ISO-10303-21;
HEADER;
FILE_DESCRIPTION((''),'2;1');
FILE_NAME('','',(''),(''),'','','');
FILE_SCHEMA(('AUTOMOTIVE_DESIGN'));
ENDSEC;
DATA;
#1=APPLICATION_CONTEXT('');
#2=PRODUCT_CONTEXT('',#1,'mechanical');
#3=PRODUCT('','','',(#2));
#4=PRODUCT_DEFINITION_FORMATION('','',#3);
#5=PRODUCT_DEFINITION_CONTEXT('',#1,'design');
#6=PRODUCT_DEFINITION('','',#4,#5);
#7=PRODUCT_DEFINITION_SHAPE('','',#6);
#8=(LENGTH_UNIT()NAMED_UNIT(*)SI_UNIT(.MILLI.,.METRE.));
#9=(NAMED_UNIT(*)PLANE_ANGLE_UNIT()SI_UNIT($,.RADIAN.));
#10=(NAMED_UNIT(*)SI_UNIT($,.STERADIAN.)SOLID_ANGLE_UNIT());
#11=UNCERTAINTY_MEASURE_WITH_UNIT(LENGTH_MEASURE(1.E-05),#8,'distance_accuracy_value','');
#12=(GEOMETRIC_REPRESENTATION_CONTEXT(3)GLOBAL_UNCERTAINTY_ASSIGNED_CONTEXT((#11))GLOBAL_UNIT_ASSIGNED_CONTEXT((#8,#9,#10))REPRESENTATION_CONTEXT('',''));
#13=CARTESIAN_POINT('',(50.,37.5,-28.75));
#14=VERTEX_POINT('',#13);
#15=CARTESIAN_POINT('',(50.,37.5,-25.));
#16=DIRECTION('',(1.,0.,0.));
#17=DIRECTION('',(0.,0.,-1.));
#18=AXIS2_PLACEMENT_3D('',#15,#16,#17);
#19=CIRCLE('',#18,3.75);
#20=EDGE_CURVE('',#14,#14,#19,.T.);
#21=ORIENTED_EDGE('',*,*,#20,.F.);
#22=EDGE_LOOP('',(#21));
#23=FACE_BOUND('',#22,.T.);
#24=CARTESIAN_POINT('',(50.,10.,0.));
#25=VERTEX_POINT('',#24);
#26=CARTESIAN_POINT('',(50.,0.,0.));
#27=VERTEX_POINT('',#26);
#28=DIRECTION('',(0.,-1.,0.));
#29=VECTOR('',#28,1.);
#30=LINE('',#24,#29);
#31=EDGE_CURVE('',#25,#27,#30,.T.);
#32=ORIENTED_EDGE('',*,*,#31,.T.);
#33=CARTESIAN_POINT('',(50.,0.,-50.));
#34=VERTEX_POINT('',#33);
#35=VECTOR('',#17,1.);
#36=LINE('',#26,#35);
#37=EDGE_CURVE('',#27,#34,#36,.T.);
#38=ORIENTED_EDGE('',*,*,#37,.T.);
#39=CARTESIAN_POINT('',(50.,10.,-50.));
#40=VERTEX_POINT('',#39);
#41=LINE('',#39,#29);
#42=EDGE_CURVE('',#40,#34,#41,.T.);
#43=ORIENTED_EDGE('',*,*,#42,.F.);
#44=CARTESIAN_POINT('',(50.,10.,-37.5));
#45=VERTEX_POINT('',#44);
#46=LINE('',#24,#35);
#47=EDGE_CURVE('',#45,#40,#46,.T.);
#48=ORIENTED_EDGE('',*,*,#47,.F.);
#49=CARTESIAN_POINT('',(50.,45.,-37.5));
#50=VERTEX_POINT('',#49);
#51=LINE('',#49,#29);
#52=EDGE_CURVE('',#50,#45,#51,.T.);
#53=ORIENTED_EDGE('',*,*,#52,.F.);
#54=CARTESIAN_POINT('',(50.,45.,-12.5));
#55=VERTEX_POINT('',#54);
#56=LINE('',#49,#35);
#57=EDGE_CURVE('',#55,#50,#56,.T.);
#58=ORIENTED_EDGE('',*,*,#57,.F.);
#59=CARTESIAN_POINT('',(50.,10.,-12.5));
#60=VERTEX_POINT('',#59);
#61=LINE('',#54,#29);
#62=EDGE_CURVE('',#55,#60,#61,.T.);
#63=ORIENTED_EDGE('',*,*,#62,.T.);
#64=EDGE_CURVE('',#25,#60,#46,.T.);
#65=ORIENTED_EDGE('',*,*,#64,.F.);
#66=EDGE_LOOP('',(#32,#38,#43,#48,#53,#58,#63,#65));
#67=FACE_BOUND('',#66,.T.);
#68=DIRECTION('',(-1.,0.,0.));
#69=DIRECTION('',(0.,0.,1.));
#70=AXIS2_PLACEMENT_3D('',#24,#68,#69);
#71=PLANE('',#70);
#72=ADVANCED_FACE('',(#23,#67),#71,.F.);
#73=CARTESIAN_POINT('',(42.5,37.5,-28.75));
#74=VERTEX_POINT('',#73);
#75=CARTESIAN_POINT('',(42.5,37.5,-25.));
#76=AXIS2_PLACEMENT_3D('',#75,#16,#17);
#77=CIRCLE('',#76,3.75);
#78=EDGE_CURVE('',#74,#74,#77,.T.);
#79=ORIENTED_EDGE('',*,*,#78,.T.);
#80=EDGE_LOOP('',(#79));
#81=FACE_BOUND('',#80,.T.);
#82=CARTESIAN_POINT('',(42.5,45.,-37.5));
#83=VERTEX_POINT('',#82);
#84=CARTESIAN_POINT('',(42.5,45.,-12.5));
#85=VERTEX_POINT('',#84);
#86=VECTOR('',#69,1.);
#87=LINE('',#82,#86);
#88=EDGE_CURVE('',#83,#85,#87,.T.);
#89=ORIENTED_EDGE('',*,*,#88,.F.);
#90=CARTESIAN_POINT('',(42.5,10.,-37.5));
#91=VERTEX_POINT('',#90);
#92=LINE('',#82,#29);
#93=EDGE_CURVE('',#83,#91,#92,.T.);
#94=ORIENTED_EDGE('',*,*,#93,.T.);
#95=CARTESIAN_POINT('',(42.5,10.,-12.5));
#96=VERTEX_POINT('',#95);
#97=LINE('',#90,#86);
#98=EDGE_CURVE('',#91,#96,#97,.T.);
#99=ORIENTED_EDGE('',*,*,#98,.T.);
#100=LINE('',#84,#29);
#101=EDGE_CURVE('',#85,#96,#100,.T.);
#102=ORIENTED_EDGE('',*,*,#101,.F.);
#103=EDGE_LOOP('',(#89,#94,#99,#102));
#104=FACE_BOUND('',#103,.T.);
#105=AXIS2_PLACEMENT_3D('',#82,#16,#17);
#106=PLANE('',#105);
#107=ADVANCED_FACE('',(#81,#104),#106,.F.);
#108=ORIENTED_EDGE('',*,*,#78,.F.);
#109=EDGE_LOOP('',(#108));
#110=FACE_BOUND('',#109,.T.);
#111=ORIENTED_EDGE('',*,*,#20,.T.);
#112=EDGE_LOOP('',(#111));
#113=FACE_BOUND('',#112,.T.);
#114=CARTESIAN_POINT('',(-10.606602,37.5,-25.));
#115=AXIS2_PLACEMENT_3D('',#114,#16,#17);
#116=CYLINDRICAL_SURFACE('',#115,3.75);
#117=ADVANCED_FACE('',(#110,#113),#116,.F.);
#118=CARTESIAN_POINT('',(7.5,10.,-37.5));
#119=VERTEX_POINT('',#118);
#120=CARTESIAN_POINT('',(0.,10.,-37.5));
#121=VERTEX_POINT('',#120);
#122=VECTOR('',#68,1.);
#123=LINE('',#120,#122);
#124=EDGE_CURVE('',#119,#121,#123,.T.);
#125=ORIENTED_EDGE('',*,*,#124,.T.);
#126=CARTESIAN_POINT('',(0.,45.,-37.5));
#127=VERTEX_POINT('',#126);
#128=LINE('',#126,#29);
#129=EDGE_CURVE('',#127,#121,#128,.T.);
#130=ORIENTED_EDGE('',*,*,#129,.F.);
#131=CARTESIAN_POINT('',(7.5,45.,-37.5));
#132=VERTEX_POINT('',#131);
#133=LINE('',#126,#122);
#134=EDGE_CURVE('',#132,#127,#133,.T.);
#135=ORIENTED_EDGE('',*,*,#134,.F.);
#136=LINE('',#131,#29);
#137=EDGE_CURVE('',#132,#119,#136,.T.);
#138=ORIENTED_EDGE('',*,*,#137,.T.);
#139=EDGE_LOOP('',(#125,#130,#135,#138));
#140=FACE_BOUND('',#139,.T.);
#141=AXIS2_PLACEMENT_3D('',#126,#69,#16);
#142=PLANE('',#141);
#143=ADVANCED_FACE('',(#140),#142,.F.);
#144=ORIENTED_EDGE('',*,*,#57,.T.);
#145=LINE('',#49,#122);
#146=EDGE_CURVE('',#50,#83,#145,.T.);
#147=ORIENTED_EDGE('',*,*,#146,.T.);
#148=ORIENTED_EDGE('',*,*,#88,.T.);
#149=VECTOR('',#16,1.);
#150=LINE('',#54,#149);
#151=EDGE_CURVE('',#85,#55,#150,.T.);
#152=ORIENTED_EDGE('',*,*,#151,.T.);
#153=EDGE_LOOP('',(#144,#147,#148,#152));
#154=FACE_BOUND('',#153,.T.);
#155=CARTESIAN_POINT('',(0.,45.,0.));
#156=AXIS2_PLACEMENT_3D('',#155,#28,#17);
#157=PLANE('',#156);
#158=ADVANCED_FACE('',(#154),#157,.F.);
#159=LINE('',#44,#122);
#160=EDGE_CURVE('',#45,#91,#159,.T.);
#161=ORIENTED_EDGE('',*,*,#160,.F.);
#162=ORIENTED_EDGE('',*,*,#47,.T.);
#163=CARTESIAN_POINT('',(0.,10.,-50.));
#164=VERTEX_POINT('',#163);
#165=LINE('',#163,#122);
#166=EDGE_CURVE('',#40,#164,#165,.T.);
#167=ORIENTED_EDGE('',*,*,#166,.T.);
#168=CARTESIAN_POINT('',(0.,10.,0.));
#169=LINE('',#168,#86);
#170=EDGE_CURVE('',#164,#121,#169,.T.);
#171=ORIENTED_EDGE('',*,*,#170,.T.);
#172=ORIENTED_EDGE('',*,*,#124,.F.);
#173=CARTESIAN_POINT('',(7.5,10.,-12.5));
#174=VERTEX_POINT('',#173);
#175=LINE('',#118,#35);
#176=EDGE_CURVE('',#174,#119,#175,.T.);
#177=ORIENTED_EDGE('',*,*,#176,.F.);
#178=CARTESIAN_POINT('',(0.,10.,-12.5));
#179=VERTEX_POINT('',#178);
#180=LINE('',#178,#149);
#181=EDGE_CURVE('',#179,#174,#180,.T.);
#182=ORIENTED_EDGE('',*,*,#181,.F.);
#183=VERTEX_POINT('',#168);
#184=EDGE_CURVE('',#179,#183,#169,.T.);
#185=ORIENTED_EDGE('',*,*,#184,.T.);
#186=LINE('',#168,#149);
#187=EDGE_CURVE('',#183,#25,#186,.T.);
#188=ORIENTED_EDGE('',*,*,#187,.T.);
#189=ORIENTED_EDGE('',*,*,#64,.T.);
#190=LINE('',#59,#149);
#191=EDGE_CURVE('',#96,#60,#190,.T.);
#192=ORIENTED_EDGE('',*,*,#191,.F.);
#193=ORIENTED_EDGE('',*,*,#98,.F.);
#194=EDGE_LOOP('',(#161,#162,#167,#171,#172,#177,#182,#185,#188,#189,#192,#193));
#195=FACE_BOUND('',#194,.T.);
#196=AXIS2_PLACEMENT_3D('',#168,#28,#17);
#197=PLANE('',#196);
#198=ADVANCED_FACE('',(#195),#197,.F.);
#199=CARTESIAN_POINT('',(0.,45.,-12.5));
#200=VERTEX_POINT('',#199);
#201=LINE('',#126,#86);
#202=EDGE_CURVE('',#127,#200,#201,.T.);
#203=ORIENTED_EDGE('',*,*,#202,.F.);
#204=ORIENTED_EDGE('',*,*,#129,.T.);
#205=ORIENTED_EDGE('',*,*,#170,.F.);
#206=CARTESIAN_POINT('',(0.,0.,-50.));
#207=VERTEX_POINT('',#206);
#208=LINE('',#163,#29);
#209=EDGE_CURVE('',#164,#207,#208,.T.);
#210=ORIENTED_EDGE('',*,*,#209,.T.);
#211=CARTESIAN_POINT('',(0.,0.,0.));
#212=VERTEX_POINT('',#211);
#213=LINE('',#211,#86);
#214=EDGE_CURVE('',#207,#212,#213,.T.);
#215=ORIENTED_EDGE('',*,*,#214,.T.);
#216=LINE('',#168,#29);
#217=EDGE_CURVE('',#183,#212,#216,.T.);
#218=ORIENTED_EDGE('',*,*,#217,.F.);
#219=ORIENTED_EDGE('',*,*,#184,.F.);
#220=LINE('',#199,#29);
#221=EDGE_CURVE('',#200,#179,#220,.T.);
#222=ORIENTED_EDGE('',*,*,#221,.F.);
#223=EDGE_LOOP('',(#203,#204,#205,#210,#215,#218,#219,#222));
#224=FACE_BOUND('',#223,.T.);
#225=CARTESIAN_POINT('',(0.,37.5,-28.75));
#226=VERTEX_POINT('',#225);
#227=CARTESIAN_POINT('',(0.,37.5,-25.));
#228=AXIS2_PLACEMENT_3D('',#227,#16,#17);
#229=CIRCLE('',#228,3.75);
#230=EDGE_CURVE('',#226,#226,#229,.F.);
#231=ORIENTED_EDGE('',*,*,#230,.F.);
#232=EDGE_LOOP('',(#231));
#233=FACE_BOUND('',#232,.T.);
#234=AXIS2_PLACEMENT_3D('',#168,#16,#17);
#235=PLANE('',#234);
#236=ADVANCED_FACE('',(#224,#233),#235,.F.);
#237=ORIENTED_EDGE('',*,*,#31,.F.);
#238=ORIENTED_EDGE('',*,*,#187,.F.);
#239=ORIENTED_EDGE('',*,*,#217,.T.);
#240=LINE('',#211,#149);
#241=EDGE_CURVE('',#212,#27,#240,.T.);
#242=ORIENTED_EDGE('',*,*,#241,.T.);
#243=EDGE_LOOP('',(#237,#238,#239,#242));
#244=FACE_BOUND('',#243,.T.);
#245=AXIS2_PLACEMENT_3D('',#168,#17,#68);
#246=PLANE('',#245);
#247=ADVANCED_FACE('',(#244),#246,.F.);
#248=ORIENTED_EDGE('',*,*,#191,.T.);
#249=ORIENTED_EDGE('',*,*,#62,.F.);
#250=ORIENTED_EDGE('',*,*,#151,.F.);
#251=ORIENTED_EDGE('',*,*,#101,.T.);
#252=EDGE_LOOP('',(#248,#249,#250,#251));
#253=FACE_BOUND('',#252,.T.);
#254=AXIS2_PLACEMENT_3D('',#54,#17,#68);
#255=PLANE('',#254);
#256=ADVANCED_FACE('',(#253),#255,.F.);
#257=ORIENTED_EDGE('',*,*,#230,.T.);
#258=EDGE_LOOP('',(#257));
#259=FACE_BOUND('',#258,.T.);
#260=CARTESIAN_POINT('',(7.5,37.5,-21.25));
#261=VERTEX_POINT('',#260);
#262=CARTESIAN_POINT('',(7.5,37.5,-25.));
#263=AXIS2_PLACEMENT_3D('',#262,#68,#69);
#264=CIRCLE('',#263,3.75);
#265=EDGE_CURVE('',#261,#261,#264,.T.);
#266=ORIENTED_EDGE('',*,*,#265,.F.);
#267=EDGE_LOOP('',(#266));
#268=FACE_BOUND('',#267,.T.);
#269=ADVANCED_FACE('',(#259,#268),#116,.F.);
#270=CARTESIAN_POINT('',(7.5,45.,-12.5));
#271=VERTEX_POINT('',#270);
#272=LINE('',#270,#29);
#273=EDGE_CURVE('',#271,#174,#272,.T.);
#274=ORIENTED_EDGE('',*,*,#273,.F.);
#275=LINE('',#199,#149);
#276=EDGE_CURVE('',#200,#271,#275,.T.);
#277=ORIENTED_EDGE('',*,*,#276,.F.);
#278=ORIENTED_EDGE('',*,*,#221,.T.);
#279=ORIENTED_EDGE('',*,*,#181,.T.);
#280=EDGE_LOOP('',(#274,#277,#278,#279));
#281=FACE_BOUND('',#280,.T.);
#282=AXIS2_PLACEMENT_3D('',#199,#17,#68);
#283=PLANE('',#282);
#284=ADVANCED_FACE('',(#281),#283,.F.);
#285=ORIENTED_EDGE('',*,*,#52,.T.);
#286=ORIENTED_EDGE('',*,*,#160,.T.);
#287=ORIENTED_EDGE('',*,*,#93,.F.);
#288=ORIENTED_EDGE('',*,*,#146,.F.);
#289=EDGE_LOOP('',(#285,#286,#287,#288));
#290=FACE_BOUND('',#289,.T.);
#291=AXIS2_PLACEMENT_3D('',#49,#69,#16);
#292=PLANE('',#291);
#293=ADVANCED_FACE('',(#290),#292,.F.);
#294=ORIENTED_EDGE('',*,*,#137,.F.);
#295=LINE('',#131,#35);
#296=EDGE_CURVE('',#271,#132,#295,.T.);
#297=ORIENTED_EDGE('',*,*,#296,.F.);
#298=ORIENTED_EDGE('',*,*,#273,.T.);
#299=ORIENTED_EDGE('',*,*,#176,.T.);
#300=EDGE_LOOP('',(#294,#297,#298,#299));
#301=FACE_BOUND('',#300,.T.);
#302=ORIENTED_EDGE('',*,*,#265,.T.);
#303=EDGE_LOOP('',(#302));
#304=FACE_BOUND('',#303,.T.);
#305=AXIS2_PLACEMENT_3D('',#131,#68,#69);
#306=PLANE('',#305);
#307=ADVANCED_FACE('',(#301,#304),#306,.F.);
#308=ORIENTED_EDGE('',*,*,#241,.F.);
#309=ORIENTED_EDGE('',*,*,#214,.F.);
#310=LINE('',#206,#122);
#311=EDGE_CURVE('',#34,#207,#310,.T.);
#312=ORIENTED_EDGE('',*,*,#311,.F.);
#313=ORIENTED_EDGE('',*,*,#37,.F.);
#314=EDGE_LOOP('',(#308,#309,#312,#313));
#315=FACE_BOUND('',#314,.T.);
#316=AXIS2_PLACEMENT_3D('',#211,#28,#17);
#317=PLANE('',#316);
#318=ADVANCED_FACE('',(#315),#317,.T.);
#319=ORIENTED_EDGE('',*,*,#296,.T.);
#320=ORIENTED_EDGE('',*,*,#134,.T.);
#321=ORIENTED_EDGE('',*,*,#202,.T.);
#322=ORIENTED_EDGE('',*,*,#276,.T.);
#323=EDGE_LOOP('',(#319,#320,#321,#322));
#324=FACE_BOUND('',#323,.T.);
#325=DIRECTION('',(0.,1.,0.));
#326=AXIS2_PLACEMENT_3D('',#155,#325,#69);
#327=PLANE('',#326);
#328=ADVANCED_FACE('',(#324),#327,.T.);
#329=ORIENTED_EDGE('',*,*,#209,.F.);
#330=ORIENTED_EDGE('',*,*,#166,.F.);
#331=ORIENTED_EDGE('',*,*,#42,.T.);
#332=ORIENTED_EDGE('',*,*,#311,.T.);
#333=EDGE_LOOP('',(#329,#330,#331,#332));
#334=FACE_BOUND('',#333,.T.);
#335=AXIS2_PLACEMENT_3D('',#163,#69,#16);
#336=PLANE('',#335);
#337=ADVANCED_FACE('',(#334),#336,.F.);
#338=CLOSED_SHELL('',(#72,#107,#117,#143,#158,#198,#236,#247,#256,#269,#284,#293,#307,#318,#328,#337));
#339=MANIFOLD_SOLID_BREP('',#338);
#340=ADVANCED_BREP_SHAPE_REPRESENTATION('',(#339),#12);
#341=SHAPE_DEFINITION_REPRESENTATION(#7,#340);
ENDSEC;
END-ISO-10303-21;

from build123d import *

# Parameters (mm, degrees)
SKETCH2_W           = 50
SKETCH2_H           = 50
BOSS_EXTRUDE1_DEPTH = 10
SKETCH3_W           = 7.5
SKETCH3_H           = 25
BOSS_EXTRUDE2_DEPTH = 35
SKETCH4_R           = 3.75
CUT_EXTRUDE1_DEPTH  = 50


with BuildPart() as part:
    # Sketch2 → Boss-Extrude1 (new body)
    with BuildSketch(Plane(origin=(0, 0, 0), x_dir=(1, 0, 0), z_dir=(0, 1, 0))):
        with Locations((25, 25)):
            Rectangle(SKETCH2_W, SKETCH2_H)
    extrude(amount=BOSS_EXTRUDE1_DEPTH)

    # Sketch3 → Boss-Extrude2 (add)
    with BuildSketch(Plane(origin=(0, 10, 0), x_dir=(1, 0, 0), z_dir=(0, 1, 0))):
        with Locations((3.75, 25)):
            Rectangle(SKETCH3_W, SKETCH3_H)
        with Locations((46.25, 25)):
            Rectangle(SKETCH3_W, SKETCH3_H)
    extrude(amount=BOSS_EXTRUDE2_DEPTH)

    # Sketch4 → Cut-Extrude1 (cut)
    with BuildSketch(Plane(origin=(50, 0, 0), x_dir=(0, 0, -1), z_dir=(1, 0, 0))):
        with Locations((25, 37.5)):
            Circle(SKETCH4_R)
    extrude(amount=-CUT_EXTRUDE1_DEPTH, mode=Mode.SUBTRACT)


solid = part.part
